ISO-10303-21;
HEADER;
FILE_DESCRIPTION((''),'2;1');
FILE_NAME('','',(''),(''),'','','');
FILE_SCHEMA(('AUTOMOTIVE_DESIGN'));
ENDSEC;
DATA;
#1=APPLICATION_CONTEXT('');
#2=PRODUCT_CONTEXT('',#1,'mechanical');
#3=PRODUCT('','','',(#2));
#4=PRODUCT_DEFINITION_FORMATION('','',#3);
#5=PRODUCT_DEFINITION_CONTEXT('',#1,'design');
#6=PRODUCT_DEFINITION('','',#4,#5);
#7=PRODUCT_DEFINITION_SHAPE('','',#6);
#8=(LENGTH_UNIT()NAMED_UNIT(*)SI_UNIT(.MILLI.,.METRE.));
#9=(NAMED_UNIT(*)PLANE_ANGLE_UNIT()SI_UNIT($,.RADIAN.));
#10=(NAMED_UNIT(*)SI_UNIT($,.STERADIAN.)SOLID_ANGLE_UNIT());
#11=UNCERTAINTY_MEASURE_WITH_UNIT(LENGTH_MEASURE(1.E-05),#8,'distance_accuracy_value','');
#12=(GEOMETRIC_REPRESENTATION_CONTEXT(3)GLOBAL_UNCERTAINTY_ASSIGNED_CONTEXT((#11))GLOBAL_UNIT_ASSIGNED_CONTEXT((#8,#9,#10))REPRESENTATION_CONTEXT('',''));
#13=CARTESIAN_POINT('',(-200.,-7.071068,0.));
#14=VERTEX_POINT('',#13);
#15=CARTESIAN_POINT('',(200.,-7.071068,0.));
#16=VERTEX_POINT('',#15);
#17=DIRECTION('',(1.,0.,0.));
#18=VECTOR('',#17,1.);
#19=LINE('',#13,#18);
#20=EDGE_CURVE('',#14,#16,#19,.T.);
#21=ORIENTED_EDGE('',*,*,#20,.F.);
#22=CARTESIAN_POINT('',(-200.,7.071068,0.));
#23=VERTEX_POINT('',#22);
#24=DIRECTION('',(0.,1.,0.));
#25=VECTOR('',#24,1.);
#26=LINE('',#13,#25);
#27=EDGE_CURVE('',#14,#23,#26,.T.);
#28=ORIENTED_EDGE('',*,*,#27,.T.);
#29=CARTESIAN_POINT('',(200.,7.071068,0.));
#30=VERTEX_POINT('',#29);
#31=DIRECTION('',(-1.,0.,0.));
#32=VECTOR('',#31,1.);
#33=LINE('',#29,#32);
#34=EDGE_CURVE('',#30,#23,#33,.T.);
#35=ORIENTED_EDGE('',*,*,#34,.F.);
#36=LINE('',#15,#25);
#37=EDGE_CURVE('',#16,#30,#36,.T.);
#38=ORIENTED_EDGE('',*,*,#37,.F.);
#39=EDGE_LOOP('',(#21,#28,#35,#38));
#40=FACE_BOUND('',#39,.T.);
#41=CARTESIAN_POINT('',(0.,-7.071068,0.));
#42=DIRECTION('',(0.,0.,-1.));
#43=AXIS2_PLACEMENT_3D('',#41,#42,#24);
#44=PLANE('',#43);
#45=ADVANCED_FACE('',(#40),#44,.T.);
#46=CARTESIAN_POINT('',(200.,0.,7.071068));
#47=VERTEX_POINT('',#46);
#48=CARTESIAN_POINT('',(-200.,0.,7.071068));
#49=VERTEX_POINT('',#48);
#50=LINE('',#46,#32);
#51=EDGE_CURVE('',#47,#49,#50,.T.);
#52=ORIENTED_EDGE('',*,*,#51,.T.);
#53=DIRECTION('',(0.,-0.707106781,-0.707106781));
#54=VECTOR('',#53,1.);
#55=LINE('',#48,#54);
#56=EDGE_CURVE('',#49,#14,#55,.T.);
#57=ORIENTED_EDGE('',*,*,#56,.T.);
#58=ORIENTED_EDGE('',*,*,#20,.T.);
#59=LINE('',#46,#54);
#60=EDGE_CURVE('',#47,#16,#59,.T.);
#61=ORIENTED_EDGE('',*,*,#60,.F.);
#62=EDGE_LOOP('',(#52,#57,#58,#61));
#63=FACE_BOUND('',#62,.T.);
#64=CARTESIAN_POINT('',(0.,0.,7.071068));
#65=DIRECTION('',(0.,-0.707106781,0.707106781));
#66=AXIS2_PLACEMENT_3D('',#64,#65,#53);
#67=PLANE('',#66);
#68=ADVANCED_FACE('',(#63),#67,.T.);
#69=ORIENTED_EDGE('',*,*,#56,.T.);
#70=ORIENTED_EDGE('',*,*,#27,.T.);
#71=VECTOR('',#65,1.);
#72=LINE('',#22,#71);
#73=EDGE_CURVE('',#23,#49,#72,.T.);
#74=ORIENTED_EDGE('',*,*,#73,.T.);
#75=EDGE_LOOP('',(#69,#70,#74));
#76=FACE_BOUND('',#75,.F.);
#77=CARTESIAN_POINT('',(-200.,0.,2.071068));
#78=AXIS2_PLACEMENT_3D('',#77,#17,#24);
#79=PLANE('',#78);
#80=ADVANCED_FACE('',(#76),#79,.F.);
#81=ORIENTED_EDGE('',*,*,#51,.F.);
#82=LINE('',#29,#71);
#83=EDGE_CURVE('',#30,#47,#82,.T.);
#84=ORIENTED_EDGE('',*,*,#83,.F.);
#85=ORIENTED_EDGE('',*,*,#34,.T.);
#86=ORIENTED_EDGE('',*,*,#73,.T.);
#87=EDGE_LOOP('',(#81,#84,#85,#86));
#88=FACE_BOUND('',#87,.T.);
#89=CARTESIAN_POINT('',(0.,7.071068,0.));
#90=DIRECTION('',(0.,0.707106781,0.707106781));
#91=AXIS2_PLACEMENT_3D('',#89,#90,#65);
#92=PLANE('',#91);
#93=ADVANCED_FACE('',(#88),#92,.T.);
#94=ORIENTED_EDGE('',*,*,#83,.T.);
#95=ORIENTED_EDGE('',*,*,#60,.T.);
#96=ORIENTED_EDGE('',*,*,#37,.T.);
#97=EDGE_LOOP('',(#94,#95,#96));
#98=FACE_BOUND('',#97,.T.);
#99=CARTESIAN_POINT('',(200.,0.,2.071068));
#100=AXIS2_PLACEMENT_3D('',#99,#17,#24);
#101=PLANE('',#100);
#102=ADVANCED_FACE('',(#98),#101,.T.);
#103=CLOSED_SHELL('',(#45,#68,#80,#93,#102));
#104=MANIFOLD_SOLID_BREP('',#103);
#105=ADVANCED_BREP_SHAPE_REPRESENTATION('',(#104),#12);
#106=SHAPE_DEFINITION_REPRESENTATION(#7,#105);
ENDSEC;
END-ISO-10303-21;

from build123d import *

# Parameters (mm, degrees)
F1_DEPTH = 200


with BuildPart() as f1:
    # F0 (on Right) → F1 (new body, symmetric)
    with BuildSketch(Plane.YZ):
        Polygon((0, 7.0710678119), (-7.0710678119, 0), (7.0710678119, 0), align=None)
    extrude(amount=F1_DEPTH, both=True)


solid = f1.part
